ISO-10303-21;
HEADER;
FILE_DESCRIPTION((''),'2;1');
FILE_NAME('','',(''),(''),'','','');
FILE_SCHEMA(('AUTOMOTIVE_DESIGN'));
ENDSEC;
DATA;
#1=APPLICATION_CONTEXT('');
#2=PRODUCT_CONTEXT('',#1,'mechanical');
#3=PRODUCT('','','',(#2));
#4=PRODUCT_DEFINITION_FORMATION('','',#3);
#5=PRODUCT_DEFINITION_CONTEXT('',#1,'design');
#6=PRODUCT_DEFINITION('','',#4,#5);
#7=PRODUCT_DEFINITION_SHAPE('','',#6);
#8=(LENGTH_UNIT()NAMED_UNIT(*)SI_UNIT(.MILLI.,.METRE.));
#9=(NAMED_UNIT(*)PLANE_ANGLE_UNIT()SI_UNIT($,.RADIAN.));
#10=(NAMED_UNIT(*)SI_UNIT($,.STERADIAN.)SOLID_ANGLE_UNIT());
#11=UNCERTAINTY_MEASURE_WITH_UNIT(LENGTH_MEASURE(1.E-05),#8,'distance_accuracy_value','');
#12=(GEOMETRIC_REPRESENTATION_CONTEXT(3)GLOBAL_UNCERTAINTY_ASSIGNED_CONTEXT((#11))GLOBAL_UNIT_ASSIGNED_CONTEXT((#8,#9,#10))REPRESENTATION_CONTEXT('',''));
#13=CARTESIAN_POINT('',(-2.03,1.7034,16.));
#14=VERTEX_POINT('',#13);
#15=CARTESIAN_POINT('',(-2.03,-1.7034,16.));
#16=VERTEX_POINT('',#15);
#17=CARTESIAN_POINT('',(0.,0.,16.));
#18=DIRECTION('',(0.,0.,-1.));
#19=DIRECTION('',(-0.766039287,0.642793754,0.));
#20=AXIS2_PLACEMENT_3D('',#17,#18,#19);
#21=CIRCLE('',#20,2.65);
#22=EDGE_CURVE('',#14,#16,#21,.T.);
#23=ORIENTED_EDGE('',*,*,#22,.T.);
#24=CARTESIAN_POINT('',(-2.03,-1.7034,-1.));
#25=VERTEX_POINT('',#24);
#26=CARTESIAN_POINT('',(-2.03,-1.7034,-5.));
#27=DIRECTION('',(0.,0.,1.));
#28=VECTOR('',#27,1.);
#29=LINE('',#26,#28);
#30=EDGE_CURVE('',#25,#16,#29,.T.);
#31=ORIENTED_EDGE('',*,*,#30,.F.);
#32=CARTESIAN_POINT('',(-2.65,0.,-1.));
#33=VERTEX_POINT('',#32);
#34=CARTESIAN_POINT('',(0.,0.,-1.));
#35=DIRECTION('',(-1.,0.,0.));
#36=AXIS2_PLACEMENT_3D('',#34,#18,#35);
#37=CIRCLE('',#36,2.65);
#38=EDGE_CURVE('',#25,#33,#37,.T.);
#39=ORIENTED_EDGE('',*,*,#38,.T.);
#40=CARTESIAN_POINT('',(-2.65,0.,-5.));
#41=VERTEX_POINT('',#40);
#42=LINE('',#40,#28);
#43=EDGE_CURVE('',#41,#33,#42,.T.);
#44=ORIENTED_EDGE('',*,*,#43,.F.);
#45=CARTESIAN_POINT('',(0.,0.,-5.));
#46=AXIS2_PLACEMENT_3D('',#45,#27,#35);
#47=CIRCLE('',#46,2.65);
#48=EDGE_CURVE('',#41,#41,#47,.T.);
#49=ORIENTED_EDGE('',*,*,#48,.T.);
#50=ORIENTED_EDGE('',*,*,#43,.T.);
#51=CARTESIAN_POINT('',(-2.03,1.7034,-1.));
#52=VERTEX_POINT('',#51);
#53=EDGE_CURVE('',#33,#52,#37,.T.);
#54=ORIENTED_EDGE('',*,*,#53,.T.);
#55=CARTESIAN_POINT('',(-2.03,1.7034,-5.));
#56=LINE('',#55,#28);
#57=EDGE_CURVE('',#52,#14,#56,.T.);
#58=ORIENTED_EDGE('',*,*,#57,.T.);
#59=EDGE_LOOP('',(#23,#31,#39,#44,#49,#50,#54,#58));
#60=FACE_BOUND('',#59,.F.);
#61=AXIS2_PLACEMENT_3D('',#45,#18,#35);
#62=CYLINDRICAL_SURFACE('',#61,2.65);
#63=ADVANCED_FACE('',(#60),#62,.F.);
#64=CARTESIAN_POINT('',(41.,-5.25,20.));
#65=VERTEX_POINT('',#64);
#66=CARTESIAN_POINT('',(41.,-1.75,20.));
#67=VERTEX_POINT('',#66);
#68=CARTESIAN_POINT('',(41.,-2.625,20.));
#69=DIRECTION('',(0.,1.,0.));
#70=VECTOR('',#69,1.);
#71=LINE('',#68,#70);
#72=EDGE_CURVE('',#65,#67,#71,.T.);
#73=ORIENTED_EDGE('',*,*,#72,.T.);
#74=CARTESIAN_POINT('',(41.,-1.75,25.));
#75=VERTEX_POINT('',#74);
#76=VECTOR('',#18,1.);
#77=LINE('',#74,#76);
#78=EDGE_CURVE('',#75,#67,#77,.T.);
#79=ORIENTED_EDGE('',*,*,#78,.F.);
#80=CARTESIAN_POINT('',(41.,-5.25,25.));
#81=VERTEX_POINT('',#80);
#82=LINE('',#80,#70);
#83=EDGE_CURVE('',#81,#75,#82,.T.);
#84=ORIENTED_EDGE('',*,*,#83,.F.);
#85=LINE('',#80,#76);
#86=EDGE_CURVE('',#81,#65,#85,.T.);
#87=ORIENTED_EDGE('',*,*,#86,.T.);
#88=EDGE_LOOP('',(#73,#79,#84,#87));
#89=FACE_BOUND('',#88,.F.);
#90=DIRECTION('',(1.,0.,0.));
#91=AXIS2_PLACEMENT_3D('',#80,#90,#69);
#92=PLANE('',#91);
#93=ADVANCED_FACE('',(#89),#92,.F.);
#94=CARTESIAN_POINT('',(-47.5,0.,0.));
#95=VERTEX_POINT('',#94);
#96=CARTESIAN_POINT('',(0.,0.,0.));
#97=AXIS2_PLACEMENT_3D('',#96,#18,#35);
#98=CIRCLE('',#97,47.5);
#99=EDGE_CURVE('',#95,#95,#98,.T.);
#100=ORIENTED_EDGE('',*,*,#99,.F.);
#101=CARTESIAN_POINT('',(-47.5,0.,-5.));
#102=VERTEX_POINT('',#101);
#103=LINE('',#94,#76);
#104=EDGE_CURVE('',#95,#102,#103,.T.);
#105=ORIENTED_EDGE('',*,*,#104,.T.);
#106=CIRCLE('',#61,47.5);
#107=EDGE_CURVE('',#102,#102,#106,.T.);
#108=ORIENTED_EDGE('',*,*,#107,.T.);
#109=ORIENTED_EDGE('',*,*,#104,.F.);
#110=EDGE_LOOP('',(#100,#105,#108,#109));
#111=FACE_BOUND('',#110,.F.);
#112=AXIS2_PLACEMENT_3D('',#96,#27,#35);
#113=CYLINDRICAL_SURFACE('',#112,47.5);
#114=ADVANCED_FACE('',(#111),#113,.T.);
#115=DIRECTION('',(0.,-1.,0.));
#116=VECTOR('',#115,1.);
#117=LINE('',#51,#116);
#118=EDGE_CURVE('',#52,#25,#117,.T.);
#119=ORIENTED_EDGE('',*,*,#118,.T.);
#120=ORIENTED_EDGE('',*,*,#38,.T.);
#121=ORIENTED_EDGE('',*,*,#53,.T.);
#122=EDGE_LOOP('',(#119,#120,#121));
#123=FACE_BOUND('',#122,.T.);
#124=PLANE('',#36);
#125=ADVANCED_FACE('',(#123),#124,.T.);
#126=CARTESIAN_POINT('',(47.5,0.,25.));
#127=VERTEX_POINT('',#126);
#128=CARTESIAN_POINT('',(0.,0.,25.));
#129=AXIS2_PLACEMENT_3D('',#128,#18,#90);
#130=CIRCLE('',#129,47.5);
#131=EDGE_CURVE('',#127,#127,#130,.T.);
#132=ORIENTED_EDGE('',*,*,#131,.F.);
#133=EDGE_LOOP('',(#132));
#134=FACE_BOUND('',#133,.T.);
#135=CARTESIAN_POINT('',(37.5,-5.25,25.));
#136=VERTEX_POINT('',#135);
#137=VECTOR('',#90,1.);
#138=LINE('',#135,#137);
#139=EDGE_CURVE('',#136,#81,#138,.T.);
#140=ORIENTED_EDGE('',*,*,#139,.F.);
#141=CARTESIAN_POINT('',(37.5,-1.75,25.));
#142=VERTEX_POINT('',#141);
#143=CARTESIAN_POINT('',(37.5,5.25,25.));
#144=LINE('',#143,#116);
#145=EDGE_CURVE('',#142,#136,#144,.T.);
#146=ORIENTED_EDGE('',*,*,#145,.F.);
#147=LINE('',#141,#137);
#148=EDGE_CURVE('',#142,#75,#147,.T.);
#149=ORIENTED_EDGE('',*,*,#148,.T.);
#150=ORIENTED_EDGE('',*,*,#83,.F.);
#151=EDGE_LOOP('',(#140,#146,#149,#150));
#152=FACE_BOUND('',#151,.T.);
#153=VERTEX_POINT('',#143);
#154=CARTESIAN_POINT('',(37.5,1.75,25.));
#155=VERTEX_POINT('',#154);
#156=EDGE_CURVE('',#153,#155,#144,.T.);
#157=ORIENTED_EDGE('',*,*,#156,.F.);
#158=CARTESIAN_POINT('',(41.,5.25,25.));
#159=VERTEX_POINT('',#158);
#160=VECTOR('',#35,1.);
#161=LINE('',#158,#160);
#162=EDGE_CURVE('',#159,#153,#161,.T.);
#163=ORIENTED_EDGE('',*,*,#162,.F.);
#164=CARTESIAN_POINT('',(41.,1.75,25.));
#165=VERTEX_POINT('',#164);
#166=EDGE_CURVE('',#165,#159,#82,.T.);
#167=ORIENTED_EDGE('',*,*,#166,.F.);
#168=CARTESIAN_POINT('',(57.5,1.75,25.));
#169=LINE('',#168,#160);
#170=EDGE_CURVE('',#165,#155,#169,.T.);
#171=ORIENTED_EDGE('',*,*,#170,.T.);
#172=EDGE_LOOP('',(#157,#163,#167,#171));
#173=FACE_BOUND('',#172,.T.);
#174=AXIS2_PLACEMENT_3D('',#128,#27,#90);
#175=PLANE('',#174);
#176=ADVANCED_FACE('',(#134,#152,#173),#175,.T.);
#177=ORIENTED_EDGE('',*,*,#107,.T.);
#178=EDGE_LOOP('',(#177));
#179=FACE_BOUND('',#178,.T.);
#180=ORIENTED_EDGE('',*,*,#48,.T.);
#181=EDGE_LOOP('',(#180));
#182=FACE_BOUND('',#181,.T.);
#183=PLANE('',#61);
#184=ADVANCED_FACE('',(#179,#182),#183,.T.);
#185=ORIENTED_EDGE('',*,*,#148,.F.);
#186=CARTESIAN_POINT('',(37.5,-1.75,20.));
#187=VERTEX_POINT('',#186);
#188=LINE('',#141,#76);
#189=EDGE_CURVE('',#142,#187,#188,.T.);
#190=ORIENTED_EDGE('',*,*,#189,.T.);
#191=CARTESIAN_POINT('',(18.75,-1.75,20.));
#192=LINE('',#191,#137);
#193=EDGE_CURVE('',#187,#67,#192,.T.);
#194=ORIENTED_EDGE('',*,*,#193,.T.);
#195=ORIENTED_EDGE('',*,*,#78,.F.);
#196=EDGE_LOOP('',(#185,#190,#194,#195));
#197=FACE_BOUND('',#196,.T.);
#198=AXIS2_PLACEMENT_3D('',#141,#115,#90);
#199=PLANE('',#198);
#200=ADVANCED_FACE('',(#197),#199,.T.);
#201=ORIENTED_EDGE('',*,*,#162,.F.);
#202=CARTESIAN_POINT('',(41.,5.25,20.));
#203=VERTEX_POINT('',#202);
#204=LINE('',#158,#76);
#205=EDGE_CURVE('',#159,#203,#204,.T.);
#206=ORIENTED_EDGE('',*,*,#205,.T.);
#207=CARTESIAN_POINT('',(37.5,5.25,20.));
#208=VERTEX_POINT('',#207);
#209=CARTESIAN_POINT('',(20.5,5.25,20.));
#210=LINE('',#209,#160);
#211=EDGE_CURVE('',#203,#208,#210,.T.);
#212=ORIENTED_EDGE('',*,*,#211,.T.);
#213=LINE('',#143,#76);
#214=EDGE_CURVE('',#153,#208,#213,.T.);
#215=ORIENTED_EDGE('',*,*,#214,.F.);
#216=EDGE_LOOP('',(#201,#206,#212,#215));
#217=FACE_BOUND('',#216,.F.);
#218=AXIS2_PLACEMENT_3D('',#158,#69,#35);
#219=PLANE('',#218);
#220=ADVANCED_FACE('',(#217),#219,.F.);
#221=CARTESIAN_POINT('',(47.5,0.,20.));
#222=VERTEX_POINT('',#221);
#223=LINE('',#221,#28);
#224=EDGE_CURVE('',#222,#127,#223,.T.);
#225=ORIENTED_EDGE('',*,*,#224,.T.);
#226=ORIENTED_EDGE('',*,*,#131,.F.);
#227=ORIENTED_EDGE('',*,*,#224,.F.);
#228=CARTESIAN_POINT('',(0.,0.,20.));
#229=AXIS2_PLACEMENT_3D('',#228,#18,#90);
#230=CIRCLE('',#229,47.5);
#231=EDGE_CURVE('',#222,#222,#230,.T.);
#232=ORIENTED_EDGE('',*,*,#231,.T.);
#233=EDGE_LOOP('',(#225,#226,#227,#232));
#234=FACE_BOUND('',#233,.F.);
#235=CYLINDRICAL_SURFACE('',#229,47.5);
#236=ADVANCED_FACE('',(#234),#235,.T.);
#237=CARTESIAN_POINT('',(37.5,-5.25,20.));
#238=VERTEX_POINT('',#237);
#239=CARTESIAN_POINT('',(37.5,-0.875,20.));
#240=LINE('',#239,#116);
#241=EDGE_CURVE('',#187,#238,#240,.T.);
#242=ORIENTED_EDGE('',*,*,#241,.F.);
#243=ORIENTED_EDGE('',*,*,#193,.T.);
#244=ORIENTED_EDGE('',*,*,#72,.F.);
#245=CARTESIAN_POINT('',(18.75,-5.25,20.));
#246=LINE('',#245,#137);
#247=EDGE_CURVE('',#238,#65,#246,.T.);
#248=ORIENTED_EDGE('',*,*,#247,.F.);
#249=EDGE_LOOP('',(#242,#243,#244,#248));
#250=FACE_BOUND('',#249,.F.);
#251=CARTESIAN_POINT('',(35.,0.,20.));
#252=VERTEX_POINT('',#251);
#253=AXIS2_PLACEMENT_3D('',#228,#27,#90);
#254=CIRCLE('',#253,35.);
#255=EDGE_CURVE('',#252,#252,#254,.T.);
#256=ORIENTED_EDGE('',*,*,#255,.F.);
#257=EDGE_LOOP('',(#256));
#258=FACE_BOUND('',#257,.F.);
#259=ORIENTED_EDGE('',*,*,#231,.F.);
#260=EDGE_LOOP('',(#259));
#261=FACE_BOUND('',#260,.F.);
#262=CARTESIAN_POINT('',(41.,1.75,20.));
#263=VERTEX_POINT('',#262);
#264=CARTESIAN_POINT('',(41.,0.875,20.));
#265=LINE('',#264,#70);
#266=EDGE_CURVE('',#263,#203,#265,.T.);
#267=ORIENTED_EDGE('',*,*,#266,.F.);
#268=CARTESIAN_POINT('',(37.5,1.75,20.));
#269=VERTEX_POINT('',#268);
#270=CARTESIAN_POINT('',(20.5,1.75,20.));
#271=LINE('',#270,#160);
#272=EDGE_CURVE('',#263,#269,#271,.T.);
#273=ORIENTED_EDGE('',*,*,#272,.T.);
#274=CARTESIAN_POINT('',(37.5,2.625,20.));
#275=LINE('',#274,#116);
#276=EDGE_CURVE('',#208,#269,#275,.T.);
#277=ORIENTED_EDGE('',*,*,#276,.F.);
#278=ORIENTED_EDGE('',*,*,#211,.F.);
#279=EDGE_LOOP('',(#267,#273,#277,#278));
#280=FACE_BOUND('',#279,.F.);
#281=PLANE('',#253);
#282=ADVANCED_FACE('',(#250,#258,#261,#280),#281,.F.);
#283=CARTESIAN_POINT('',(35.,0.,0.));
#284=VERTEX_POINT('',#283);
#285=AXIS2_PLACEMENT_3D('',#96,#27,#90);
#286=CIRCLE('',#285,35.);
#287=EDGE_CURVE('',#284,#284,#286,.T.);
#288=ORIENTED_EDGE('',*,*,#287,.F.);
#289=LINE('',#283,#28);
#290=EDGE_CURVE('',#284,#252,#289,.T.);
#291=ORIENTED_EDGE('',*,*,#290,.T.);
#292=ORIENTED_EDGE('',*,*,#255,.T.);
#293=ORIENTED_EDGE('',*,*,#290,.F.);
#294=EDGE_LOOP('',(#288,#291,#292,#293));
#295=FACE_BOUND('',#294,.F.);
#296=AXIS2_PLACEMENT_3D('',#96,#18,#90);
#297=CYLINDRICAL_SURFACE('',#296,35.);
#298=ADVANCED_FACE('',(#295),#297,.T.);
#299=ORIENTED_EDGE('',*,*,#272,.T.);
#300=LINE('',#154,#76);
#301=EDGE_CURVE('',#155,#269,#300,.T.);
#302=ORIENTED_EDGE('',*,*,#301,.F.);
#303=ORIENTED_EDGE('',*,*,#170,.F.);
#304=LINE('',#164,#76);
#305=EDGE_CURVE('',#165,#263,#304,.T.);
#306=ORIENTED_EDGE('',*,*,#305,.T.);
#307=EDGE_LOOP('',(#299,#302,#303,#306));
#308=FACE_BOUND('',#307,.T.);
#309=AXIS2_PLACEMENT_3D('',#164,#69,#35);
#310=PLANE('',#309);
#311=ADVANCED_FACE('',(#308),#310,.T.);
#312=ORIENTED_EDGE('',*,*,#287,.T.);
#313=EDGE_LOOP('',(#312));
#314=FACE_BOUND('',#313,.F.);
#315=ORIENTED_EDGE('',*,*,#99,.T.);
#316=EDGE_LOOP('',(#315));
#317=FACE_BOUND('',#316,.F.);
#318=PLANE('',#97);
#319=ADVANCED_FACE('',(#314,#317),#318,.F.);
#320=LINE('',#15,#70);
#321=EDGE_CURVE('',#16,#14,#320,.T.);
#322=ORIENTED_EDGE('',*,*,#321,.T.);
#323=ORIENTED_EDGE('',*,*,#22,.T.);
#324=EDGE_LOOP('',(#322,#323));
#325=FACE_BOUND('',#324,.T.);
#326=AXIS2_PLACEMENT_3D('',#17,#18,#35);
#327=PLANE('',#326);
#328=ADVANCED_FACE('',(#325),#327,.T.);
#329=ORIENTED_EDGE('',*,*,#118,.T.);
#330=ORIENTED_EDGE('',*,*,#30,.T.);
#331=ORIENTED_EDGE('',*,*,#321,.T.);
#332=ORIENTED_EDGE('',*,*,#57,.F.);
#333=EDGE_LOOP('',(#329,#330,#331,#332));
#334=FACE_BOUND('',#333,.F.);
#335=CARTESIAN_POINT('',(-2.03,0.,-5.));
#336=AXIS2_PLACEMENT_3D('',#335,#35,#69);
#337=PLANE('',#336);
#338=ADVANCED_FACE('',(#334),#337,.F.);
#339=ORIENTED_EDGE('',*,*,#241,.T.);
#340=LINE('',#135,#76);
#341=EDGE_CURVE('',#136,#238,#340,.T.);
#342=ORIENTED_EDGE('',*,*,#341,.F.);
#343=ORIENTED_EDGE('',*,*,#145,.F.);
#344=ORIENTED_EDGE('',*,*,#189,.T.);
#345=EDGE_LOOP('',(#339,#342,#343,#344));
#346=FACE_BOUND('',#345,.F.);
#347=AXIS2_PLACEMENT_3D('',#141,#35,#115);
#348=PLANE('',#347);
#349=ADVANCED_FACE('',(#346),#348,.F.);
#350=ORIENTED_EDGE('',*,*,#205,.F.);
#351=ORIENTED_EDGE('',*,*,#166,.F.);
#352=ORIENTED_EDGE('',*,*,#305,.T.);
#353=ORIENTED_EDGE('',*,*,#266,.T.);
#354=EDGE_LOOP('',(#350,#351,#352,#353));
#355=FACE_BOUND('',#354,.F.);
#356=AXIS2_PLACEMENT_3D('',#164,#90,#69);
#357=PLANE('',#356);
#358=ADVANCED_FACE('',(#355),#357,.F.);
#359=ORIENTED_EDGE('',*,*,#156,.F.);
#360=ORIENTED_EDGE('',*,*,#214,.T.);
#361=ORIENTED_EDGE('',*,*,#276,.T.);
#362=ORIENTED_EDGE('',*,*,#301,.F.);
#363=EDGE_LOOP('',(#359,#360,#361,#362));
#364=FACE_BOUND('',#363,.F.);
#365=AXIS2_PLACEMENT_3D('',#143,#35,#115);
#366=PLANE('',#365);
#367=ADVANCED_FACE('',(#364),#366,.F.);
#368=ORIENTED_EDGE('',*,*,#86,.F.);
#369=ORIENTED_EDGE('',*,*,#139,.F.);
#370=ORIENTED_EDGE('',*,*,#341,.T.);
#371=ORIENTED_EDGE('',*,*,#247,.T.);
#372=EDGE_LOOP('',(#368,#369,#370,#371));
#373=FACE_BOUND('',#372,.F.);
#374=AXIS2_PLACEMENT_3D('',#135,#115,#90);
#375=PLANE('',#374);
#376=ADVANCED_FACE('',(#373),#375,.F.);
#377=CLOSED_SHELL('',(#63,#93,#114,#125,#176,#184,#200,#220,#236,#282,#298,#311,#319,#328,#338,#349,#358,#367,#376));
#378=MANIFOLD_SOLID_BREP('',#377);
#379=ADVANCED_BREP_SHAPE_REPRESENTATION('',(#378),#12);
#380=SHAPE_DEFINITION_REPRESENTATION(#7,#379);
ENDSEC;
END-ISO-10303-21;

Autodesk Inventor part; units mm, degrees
ref_plane "YZ Plane" through (0, 0, 0) normal (1, 0, 0) x (0, 1, 0)
ref_plane "XZ Plane" through (0, 0, 0) normal (0, 1, 0) x (-1, 0, 0)
ref_plane "XY Plane" through (0, 0, 0) normal (0, 0, 1) x (1, 0, 0)
sketch "Sketch1" plane through (0, 0, 0) normal (0, 0, 1) x (1, 0, 0)
  circle A0 centre (0, 0) radius 35
  dimension "d0" = 70
extrude "Extrusion1" add sketch "Sketch1" along normal blind 20
sketch "Sketch2" plane through (0, 0, 20) normal (0, 0, 1) x (1, 0, 0)
  circle A0 centre (0, 0) radius 47.5
  dimension "d3" = 95
extrude "Extrusion2" add sketch "Sketch2" along normal blind 5
sketch "Sketch3" plane through (0, 0, 0) normal (0, 0, -1) x (-1, 0, 0)
  circle A0 centre (0, 0) radius 47.5
  dimension "d6" = 95
extrude "Extrusion3" add sketch "Sketch3" along normal blind 5
sketch "Sketch4" plane through (0, 0, -5) normal (0, 0, -1) x (-1, 0, 0)
  circle A0 centre (0, 0) radius 2.65
  line L0 (-2.65, 0) -> (2.03, 0)
  line L1 (2.03, 0) -> (2.03, -1.7034)
  line L2 (2.03, 0) -> (2.03, 1.7034)
  dimension "d9" = 5.3
  dimension "d10" = 4.68
extrude "Extrusion4" cut sketch "Sketch4" against normal blind 21 contours L2 L0 A0 | A0 L0 L1
extrude "Extrusion5" cut sketch "Sketch4" against normal blind 4 contours A0 L1 L2
sketch "Sketch5" plane through (0, 0, 25) normal (0, 0, 1) x (1, 0, 0)
  line L0 (57.5, 1.75) -> (37.5, 1.75)
  line L1 (37.5, 1.75) -> (37.5, -1.75)
  line L2 (37.5, -1.75) -> (57.5, -1.75)
  line L3 (57.5, -1.75) -> (57.5, 1.75)
  circle A0 centre (0, 0) radius 47.5 projected
  line L4 (57.5, 1.75) -> (37.5, -1.75) construction
  line L5 (37.5, 1.75) -> (57.5, -1.75) construction
  line L6 (41, 5.25) -> (37.5, 5.25)
  line L7 (37.5, 5.25) -> (37.5, -5.25)
  line L8 (37.5, -5.25) -> (41, -5.25)
  line L9 (41, -5.25) -> (41, 5.25)
  point P0 (47.5, 0)
  point P1 (37.5, 0)
  point P2 (41, -1.75)
  point P3 (41, 1.75)
  point P4 (47.4678, 1.75)
  point P5 (47.4678, -1.75)
  dimension "d15" = 20
  dimension "d16" = 3.5
  dimension "d21" = 3.5
  dimension "d22" = 3.5
  dimension "d23" = 3.5
  dimension "d24" = 0
extrude "Extrusion6" cut sketch "Sketch5" against normal blind 10 contours L3 L2 A0 L0 | L0 L7 L6 L9 | L9 L8 L7 L2
equation "\"d6\" = d3"
properties part number "spool"
